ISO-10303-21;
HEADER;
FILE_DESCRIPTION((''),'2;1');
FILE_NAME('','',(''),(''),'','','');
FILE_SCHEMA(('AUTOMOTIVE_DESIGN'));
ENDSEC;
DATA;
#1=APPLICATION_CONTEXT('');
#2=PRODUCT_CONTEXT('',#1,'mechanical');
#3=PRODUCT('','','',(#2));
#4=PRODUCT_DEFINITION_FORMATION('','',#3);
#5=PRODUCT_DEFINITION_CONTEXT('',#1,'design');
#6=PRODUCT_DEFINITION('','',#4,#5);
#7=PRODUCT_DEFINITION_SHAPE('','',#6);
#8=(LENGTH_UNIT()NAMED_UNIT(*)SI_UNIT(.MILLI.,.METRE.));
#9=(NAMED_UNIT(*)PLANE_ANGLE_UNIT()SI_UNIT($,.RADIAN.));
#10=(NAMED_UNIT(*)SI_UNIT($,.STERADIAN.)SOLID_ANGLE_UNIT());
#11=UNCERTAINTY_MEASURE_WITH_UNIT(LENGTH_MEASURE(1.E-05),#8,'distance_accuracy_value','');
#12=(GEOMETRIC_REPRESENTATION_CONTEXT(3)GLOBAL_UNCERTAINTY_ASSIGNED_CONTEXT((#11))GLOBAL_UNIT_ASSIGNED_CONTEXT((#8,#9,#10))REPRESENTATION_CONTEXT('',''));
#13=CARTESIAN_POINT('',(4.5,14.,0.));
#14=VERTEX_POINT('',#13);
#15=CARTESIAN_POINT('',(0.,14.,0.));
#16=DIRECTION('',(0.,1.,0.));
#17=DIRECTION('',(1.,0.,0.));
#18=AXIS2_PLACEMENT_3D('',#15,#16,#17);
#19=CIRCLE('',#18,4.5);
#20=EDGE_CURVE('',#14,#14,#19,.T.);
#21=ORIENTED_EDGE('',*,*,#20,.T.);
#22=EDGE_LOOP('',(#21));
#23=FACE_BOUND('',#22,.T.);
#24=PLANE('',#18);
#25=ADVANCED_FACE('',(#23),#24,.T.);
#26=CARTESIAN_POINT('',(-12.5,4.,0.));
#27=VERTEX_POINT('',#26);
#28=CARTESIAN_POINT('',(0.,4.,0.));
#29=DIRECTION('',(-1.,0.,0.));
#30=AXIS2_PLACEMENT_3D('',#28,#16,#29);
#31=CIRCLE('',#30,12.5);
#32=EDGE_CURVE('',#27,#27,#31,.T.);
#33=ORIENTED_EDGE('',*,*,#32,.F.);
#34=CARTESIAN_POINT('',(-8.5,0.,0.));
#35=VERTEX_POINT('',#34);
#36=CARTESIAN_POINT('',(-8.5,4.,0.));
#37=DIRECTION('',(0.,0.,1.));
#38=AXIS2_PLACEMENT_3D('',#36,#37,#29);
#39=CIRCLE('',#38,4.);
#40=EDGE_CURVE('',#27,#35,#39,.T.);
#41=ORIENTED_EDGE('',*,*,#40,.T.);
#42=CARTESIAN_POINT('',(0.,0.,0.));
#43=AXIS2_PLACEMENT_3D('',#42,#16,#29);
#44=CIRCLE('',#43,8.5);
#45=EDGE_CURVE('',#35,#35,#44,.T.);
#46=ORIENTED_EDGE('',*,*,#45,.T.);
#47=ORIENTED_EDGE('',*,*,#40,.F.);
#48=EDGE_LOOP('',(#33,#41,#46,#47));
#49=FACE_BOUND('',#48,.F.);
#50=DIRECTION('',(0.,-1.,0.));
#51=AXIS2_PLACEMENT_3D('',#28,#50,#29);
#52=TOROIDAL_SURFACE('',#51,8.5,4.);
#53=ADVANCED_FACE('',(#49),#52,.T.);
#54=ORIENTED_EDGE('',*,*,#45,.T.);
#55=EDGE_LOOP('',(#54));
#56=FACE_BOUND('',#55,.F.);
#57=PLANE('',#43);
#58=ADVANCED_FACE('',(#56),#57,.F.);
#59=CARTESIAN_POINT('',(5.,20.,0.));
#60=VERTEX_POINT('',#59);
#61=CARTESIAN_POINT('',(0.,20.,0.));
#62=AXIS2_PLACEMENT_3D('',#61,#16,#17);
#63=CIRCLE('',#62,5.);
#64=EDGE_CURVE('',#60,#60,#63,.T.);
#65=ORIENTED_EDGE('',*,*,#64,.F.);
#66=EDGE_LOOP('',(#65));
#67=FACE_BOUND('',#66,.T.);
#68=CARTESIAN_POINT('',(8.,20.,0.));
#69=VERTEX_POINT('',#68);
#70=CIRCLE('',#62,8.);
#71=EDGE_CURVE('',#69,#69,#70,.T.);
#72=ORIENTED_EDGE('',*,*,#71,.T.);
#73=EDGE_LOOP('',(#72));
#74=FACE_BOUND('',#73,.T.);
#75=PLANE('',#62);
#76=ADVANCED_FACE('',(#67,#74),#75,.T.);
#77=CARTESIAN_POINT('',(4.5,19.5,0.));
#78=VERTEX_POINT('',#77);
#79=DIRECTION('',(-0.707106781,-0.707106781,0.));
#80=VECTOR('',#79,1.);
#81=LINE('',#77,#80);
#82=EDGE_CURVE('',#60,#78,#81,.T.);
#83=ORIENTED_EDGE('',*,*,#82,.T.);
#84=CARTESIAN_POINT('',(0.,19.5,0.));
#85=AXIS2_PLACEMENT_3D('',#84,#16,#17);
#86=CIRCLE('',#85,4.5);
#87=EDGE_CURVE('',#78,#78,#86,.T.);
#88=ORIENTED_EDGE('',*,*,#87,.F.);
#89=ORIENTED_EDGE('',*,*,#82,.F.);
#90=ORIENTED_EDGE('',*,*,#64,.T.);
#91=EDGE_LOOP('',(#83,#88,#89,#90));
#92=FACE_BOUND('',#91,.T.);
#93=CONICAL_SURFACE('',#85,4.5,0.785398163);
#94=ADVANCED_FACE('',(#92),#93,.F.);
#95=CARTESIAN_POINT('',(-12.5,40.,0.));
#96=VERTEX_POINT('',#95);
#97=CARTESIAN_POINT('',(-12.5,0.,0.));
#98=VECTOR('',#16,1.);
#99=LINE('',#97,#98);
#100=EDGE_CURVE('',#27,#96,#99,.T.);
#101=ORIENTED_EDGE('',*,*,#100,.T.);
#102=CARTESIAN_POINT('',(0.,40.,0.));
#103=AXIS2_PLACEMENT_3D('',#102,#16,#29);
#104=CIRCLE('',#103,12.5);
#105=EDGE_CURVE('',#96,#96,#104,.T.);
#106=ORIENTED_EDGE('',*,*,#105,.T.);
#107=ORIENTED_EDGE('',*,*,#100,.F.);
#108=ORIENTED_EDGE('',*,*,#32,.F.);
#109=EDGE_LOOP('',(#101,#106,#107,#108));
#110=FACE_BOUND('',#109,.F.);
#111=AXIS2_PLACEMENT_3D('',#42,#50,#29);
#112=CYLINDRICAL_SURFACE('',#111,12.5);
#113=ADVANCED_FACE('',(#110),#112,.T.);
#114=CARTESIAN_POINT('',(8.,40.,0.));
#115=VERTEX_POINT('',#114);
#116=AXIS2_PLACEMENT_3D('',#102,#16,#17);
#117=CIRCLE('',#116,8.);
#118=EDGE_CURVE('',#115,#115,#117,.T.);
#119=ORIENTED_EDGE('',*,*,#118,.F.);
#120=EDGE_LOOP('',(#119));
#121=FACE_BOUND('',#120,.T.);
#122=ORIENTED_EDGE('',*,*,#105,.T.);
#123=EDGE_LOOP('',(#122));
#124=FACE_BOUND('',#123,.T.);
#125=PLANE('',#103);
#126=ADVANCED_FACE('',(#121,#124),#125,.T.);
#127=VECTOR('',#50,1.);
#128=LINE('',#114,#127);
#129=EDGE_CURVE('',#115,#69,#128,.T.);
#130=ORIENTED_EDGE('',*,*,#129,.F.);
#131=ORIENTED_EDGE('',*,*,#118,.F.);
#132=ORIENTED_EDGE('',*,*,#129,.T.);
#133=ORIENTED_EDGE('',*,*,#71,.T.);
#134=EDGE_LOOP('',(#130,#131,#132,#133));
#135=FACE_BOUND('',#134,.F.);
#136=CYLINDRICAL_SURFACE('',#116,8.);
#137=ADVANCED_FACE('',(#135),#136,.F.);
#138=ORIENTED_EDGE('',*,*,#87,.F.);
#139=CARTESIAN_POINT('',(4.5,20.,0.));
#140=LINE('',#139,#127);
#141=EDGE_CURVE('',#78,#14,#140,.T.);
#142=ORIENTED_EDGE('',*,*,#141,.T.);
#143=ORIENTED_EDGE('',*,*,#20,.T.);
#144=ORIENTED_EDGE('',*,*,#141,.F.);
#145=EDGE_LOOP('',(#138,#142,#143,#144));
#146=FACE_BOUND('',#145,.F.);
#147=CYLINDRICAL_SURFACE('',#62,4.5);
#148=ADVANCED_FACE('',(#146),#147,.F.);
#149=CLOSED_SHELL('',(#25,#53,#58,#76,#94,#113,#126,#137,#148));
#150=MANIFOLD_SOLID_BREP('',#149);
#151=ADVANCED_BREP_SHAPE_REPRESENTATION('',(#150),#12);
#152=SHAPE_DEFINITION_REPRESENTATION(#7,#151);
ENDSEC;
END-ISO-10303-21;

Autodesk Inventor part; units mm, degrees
ref_plane "YZ Plane" through (0, 0, 0) normal (1, 0, 0) x (0, 1, 0)
ref_plane "XZ Plane" through (0, 0, 0) normal (0, 1, 0) x (-1, 0, 0)
ref_plane "XY Plane" through (0, 0, 0) normal (0, 0, 1) x (1, 0, 0)
sketch "Szkic1" plane through (0, 0, 0) normal (0, 1, 0) x (-1, 0, 0)
  circle A0 centre (0, 0) radius 12.5
  dimension "d0" = 25
extrude "Wyciągnięcie proste1" add sketch "Szkic1" along normal blind 40
fillet "Zaokrąglenie1" radius 4 1 edges at (12.5, 0, 0)
sketch "Szkic2" plane through (0, 40, 0) normal (0, 1, 0) x (1, 0, 0)
  circle A0 centre (0, 0) radius 12.5 projected
  circle A1 centre (0, 0) radius 8
  dimension "d4" = 16
extrude "Wyciągnięcie proste2" cut sketch "Szkic2" against normal blind 20 contours A1
sketch "Szkic3" plane through (0, 20, 0) normal (0, 1, 0) x (1, 0, 0)
  circle A0 centre (0, 0) radius 8 projected
  circle A1 centre (0, 0) radius 4.5
  dimension "d7" = 9
extrude "Wyciągnięcie proste3" cut sketch "Szkic3" against normal blind 6 contours A1
chamfer "Faza1" distance 0.5 angle 45 1 edges at (-4.5, 20, 0)
properties part number "koncowka do laski - walec zaokraglony"
